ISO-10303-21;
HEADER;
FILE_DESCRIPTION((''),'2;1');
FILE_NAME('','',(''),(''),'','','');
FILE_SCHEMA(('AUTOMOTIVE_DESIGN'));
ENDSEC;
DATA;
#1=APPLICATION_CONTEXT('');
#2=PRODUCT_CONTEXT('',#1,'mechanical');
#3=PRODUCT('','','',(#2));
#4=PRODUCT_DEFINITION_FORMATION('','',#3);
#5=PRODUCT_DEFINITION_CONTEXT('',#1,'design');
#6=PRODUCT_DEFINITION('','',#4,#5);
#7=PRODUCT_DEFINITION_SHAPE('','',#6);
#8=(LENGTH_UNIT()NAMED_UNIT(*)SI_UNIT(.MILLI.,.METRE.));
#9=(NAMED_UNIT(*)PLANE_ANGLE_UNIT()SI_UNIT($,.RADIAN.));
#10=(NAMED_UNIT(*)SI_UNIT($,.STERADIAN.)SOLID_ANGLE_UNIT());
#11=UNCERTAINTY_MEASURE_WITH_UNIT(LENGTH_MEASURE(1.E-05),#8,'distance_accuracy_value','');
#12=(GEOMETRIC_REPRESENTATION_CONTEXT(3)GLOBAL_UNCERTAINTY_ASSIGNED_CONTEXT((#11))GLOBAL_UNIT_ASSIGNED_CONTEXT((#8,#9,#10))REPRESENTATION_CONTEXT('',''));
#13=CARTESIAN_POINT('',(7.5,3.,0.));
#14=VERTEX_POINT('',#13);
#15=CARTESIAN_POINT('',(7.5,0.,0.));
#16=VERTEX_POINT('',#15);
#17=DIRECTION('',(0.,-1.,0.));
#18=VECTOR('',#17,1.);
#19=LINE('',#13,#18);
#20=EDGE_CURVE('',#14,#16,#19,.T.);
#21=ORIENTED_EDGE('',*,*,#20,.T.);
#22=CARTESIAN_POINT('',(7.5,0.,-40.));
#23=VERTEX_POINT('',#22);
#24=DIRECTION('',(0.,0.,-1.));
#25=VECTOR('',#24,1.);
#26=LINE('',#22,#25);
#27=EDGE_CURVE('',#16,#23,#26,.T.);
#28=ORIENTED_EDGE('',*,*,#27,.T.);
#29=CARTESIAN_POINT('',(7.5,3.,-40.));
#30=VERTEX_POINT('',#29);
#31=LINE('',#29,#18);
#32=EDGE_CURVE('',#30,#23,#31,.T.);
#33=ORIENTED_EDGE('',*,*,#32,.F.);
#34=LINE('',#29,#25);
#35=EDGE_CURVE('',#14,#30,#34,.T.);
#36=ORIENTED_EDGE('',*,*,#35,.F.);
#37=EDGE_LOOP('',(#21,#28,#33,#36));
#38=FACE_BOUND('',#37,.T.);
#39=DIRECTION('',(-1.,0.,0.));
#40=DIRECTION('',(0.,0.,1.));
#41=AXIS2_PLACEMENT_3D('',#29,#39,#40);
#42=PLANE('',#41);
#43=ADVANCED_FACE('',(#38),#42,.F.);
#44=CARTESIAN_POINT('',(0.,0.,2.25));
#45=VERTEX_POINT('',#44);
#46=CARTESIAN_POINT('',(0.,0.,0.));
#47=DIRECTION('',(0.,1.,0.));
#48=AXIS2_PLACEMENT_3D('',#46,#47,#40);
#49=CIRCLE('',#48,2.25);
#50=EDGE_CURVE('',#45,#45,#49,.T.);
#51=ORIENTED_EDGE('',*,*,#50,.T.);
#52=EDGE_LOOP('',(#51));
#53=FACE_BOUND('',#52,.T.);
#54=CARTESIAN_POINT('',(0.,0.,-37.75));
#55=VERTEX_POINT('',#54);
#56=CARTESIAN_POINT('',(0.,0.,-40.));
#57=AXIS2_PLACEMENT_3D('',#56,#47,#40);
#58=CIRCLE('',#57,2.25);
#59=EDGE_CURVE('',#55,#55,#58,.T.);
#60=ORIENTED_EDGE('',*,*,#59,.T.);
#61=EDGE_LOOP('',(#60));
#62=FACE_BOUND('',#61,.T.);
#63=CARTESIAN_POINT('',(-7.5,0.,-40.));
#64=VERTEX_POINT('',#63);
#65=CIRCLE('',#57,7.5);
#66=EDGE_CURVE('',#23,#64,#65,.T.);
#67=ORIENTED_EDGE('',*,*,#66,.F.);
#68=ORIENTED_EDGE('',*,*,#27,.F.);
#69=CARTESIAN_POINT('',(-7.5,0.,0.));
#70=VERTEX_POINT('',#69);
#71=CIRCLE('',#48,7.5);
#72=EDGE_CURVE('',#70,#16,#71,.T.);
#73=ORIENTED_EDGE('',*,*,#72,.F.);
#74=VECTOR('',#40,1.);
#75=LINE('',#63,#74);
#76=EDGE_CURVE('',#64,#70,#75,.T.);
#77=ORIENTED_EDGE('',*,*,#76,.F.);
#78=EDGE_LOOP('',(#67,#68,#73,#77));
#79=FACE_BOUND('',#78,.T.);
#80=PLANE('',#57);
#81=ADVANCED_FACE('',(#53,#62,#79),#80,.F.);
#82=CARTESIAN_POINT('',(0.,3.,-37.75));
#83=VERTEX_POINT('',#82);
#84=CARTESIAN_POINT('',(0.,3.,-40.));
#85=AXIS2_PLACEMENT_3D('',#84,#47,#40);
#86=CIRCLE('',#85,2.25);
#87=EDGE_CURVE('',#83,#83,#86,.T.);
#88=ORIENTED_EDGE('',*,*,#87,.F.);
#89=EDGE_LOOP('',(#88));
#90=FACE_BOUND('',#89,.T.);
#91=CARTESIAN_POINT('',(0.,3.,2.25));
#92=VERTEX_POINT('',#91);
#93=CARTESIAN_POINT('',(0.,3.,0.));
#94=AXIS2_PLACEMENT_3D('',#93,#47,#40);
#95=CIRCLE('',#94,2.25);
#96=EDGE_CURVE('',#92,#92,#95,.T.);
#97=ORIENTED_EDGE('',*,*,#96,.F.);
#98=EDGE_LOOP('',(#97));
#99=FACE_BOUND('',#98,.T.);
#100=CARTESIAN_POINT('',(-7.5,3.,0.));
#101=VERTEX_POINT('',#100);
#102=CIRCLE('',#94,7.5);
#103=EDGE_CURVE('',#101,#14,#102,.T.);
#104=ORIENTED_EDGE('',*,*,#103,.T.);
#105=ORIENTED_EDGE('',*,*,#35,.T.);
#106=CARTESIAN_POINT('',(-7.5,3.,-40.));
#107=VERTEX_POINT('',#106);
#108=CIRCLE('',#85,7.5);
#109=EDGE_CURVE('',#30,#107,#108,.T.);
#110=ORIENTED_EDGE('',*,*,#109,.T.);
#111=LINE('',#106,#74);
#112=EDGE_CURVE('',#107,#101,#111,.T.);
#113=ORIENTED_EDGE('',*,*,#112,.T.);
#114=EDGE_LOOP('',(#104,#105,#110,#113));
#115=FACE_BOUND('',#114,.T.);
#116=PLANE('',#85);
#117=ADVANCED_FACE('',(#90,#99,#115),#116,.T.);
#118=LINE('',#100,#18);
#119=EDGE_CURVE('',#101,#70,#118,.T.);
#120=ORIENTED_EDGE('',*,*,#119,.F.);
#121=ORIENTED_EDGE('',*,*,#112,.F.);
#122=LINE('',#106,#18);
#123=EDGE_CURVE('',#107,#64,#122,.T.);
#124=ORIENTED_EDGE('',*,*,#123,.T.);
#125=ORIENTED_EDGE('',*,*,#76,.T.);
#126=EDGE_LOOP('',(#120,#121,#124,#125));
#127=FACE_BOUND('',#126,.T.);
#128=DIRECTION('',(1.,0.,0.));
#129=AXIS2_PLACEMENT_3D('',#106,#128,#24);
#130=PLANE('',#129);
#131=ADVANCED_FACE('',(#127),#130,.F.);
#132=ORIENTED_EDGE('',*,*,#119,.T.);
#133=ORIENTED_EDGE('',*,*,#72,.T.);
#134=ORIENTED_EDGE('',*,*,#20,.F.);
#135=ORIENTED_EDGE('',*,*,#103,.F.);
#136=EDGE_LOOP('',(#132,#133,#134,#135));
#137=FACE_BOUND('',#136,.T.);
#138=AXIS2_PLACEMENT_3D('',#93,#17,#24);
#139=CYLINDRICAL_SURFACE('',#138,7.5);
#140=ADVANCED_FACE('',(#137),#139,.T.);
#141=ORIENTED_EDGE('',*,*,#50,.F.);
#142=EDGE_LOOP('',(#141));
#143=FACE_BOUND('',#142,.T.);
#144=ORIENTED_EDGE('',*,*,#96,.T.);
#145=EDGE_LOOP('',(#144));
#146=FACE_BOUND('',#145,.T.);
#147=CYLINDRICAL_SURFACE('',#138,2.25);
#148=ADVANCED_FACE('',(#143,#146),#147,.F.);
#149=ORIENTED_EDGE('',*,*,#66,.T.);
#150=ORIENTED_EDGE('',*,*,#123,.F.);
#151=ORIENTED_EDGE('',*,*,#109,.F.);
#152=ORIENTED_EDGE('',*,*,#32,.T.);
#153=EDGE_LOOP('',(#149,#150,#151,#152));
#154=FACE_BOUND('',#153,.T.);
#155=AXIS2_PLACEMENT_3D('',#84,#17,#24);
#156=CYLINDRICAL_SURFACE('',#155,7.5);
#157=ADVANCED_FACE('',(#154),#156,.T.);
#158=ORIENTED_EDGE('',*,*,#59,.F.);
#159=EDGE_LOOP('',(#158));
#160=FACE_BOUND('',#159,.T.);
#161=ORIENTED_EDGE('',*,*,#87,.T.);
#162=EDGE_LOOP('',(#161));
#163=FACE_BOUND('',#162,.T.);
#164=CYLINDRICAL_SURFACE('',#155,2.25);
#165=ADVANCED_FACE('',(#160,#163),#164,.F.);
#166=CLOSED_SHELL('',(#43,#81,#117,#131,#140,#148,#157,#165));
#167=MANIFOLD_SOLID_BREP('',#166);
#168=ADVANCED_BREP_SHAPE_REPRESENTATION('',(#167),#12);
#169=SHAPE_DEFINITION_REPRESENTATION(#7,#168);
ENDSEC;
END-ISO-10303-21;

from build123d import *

# Parameters (mm, degrees)
SKETCH1_R           = 2.25
BOSS_EXTRUDE1_DEPTH = 3


with BuildPart() as part:
    # Sketch1 → Boss-Extrude1 (new body)
    with BuildSketch(Plane(origin=(0, 0, 0), x_dir=(1, 0, 0), z_dir=(0, 1, 0))):
        with BuildLine():
            Line((-7.5, 40), (-7.5, 0))
            ThreePointArc((-7.5, 0), (0, -7.5), (7.5, 0))
            Line((7.5, 0), (7.5, 40))
            ThreePointArc((7.5, 40), (0, 47.5), (-7.5, 40))
        make_face()
        Circle(SKETCH1_R, mode=Mode.SUBTRACT)
        with Locations((0, 40)):
            Circle(SKETCH1_R, mode=Mode.SUBTRACT)
    extrude(amount=BOSS_EXTRUDE1_DEPTH)


solid = part.part
